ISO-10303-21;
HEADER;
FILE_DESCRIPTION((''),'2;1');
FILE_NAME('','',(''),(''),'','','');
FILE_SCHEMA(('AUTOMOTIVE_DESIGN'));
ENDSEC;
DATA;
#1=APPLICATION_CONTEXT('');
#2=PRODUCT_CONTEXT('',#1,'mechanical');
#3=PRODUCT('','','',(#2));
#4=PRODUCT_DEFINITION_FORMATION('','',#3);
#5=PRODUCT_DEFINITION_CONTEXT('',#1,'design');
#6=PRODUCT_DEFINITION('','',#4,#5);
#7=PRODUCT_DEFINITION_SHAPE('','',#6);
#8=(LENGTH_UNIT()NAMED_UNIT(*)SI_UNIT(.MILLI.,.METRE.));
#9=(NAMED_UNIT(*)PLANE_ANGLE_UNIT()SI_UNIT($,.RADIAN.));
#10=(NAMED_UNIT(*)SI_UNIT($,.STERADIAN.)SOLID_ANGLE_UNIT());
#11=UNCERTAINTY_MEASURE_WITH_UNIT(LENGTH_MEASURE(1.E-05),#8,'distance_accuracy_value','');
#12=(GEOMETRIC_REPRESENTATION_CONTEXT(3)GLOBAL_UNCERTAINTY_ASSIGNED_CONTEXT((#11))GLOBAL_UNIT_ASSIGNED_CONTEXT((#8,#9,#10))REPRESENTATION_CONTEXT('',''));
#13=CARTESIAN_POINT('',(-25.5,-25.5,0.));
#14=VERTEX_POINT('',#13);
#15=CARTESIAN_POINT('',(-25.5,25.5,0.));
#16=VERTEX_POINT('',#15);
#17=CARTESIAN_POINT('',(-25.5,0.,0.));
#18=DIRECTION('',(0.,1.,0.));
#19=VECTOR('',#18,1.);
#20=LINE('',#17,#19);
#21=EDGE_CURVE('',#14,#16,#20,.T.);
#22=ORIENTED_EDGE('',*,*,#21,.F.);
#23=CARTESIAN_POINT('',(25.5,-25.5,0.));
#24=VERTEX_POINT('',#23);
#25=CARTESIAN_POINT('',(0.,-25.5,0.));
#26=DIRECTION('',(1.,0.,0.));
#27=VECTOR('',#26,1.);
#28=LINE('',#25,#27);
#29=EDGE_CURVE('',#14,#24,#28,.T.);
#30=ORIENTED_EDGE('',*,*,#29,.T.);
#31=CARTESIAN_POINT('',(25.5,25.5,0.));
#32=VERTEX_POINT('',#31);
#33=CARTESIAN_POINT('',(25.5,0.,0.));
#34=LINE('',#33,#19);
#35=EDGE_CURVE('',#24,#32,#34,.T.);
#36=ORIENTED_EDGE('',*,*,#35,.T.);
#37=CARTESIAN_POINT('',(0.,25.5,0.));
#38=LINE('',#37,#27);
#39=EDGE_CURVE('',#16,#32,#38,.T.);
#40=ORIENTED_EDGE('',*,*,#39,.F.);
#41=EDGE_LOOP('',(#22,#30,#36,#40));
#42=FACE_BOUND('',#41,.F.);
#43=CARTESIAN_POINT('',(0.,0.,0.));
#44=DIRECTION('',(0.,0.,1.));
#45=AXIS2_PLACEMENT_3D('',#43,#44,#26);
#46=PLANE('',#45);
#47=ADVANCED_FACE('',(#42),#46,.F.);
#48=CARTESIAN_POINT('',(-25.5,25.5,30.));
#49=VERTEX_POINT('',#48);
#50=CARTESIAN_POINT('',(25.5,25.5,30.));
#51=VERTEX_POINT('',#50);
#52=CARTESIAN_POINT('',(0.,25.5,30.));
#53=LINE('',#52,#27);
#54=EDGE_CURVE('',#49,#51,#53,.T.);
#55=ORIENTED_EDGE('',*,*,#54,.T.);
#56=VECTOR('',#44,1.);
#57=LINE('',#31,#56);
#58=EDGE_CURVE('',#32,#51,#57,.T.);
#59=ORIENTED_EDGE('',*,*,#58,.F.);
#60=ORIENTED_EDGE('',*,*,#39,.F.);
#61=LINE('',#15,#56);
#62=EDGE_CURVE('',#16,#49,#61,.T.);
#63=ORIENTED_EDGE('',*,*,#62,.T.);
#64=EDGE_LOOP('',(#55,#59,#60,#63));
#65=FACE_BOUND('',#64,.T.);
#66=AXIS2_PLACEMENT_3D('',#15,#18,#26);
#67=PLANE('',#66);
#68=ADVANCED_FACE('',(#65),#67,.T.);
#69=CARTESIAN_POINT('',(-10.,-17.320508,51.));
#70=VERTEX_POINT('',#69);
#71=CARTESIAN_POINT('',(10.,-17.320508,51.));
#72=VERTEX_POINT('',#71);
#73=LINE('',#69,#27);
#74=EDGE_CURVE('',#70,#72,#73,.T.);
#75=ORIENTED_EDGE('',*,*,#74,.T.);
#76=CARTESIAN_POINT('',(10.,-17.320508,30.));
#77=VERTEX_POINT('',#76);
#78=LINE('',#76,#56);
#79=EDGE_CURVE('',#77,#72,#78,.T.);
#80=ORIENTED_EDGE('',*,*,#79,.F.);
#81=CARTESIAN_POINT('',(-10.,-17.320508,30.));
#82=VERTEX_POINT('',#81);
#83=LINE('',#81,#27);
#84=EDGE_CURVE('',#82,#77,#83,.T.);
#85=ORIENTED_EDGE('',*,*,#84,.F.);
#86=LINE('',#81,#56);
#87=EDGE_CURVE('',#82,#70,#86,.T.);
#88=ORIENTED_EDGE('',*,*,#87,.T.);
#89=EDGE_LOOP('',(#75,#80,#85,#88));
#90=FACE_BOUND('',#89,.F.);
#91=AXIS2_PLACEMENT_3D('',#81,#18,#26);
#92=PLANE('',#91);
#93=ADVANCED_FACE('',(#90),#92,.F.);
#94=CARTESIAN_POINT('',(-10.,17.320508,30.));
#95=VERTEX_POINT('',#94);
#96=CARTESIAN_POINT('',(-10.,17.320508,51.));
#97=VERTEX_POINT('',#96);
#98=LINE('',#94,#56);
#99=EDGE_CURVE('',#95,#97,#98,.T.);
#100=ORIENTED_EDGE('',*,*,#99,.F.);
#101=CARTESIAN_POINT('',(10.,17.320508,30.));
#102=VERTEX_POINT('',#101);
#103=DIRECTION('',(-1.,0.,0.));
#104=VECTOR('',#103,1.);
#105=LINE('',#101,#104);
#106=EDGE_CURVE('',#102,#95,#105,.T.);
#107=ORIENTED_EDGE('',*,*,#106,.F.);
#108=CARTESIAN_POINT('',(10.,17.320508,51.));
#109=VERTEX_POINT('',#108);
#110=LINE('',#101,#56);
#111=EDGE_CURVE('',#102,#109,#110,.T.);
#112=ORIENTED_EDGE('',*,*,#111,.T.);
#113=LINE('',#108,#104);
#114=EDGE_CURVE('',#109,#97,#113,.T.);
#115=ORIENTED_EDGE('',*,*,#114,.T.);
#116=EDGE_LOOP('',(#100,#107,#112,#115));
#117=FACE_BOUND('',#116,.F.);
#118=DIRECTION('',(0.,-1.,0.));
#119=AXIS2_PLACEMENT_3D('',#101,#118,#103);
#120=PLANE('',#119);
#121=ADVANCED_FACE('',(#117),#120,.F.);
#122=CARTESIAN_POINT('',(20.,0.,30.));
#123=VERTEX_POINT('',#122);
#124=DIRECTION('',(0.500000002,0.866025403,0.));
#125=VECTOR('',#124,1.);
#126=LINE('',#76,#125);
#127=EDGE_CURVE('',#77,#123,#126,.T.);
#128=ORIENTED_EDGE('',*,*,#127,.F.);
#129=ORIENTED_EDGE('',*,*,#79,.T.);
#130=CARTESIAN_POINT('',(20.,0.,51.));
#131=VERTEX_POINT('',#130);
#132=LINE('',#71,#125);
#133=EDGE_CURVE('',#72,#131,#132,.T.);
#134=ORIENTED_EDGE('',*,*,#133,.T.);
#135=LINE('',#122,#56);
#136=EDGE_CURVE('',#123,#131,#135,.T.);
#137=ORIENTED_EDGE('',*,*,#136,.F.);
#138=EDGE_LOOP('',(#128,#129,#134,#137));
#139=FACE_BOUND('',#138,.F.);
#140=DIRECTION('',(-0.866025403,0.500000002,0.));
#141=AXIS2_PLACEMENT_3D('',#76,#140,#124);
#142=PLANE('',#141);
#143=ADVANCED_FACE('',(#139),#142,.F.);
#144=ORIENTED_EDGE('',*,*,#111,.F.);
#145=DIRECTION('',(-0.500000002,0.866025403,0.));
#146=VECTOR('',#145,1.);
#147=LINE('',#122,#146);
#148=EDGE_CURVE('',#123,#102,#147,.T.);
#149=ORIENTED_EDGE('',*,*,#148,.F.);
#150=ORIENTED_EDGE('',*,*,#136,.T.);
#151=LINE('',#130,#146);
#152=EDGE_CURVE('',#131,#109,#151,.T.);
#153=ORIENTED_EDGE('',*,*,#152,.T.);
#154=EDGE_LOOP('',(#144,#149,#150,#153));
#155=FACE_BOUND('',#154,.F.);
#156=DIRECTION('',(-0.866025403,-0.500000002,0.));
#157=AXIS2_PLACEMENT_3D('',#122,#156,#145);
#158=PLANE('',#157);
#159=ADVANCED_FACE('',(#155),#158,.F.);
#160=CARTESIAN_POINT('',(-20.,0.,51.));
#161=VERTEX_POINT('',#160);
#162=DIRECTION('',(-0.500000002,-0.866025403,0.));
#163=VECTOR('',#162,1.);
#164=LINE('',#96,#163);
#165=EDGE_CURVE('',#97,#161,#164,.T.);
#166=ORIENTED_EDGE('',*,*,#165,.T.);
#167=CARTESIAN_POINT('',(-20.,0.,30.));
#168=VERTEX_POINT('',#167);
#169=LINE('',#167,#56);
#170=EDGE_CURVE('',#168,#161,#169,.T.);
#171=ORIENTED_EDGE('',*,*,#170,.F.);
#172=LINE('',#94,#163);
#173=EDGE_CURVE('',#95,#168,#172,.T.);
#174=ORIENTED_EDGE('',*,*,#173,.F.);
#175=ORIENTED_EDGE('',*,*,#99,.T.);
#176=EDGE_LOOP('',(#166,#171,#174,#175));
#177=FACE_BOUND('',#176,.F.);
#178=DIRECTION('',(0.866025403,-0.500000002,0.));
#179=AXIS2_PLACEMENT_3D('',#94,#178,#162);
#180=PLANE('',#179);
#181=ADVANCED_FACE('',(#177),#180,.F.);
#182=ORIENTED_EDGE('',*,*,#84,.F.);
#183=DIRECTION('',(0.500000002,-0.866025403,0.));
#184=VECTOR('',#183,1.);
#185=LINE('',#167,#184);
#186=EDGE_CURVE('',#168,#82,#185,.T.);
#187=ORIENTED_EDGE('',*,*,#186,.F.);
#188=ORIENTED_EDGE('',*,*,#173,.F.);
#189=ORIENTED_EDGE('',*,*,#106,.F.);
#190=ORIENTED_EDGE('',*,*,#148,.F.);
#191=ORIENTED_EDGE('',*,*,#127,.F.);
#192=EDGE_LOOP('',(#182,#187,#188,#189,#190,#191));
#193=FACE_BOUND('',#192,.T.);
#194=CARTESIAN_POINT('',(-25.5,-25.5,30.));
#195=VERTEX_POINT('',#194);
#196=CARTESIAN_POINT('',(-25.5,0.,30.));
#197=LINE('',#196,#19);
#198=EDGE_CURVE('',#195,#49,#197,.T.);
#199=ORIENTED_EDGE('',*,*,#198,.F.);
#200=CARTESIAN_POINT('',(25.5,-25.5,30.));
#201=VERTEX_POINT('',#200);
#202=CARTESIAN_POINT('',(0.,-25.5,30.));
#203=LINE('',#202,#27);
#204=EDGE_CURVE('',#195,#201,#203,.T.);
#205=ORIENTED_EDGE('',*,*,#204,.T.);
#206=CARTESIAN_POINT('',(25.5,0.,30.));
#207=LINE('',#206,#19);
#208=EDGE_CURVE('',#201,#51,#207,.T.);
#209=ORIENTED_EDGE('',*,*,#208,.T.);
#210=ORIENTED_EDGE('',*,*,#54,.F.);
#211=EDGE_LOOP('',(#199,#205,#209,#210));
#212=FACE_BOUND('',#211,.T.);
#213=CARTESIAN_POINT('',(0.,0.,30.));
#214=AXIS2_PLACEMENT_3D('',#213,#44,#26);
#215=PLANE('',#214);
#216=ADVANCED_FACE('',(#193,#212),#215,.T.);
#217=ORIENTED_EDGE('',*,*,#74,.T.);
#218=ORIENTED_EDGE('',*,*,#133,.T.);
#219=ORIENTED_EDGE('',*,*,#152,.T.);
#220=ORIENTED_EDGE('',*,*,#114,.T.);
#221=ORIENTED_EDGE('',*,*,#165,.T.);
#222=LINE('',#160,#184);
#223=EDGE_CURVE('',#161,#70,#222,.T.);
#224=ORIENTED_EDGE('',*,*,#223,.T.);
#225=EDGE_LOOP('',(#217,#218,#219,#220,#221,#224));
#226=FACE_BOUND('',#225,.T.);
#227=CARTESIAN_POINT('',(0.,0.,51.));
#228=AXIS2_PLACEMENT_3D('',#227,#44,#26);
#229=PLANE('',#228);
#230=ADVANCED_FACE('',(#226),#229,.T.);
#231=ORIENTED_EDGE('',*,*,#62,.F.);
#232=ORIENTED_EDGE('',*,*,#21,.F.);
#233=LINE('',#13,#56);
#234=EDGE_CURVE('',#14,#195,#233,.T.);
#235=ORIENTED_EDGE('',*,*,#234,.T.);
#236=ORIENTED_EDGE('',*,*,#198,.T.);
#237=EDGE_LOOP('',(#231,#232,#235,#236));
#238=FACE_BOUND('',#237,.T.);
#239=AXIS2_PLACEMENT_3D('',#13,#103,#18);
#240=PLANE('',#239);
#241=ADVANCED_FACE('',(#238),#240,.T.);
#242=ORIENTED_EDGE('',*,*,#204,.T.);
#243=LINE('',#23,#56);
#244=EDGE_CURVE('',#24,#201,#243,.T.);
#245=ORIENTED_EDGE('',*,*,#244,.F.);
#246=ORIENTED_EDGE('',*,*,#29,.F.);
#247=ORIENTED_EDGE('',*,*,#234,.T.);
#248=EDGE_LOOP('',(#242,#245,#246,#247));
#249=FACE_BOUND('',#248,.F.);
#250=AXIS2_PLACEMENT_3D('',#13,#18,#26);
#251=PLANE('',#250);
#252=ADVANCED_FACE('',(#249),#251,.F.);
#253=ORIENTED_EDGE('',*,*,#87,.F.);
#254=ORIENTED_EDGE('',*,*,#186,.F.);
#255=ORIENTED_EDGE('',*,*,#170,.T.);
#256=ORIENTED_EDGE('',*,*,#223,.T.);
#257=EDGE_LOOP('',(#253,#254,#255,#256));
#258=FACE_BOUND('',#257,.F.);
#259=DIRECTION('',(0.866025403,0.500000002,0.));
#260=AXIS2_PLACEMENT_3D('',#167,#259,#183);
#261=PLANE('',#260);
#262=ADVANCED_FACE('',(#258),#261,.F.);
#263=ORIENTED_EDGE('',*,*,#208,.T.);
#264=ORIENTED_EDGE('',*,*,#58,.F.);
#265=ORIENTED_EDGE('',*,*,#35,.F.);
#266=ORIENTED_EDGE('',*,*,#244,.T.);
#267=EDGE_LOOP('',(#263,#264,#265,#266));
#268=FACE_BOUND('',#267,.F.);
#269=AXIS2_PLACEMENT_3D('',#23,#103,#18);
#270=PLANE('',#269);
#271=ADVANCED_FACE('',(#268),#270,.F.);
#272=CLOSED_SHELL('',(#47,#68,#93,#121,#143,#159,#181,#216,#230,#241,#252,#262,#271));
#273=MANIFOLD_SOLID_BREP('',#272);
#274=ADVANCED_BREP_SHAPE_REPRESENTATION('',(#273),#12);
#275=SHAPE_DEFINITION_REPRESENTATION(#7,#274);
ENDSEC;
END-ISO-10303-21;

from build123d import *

# Parameters (mm, degrees)
F0_W     = 51
F0_H     = 51
F1_DEPTH = 30
F3_DEPTH = 21


with BuildPart() as f1:
    # F0 (on Top) → F1 (new body)
    with BuildSketch(Plane.XY):
        Rectangle(F0_W, F0_H)
    extrude(amount=F1_DEPTH)

    # F2 (on face) → F3 (join)
    with BuildSketch(Plane.XY.offset(30)):
        Polygon((-10, 17.320508), (-20, 0), (-10, -17.320508), (10, -17.320508), (20, 0), (10, 17.320508), align=None)
    extrude(amount=F3_DEPTH)


solid = f1.part
